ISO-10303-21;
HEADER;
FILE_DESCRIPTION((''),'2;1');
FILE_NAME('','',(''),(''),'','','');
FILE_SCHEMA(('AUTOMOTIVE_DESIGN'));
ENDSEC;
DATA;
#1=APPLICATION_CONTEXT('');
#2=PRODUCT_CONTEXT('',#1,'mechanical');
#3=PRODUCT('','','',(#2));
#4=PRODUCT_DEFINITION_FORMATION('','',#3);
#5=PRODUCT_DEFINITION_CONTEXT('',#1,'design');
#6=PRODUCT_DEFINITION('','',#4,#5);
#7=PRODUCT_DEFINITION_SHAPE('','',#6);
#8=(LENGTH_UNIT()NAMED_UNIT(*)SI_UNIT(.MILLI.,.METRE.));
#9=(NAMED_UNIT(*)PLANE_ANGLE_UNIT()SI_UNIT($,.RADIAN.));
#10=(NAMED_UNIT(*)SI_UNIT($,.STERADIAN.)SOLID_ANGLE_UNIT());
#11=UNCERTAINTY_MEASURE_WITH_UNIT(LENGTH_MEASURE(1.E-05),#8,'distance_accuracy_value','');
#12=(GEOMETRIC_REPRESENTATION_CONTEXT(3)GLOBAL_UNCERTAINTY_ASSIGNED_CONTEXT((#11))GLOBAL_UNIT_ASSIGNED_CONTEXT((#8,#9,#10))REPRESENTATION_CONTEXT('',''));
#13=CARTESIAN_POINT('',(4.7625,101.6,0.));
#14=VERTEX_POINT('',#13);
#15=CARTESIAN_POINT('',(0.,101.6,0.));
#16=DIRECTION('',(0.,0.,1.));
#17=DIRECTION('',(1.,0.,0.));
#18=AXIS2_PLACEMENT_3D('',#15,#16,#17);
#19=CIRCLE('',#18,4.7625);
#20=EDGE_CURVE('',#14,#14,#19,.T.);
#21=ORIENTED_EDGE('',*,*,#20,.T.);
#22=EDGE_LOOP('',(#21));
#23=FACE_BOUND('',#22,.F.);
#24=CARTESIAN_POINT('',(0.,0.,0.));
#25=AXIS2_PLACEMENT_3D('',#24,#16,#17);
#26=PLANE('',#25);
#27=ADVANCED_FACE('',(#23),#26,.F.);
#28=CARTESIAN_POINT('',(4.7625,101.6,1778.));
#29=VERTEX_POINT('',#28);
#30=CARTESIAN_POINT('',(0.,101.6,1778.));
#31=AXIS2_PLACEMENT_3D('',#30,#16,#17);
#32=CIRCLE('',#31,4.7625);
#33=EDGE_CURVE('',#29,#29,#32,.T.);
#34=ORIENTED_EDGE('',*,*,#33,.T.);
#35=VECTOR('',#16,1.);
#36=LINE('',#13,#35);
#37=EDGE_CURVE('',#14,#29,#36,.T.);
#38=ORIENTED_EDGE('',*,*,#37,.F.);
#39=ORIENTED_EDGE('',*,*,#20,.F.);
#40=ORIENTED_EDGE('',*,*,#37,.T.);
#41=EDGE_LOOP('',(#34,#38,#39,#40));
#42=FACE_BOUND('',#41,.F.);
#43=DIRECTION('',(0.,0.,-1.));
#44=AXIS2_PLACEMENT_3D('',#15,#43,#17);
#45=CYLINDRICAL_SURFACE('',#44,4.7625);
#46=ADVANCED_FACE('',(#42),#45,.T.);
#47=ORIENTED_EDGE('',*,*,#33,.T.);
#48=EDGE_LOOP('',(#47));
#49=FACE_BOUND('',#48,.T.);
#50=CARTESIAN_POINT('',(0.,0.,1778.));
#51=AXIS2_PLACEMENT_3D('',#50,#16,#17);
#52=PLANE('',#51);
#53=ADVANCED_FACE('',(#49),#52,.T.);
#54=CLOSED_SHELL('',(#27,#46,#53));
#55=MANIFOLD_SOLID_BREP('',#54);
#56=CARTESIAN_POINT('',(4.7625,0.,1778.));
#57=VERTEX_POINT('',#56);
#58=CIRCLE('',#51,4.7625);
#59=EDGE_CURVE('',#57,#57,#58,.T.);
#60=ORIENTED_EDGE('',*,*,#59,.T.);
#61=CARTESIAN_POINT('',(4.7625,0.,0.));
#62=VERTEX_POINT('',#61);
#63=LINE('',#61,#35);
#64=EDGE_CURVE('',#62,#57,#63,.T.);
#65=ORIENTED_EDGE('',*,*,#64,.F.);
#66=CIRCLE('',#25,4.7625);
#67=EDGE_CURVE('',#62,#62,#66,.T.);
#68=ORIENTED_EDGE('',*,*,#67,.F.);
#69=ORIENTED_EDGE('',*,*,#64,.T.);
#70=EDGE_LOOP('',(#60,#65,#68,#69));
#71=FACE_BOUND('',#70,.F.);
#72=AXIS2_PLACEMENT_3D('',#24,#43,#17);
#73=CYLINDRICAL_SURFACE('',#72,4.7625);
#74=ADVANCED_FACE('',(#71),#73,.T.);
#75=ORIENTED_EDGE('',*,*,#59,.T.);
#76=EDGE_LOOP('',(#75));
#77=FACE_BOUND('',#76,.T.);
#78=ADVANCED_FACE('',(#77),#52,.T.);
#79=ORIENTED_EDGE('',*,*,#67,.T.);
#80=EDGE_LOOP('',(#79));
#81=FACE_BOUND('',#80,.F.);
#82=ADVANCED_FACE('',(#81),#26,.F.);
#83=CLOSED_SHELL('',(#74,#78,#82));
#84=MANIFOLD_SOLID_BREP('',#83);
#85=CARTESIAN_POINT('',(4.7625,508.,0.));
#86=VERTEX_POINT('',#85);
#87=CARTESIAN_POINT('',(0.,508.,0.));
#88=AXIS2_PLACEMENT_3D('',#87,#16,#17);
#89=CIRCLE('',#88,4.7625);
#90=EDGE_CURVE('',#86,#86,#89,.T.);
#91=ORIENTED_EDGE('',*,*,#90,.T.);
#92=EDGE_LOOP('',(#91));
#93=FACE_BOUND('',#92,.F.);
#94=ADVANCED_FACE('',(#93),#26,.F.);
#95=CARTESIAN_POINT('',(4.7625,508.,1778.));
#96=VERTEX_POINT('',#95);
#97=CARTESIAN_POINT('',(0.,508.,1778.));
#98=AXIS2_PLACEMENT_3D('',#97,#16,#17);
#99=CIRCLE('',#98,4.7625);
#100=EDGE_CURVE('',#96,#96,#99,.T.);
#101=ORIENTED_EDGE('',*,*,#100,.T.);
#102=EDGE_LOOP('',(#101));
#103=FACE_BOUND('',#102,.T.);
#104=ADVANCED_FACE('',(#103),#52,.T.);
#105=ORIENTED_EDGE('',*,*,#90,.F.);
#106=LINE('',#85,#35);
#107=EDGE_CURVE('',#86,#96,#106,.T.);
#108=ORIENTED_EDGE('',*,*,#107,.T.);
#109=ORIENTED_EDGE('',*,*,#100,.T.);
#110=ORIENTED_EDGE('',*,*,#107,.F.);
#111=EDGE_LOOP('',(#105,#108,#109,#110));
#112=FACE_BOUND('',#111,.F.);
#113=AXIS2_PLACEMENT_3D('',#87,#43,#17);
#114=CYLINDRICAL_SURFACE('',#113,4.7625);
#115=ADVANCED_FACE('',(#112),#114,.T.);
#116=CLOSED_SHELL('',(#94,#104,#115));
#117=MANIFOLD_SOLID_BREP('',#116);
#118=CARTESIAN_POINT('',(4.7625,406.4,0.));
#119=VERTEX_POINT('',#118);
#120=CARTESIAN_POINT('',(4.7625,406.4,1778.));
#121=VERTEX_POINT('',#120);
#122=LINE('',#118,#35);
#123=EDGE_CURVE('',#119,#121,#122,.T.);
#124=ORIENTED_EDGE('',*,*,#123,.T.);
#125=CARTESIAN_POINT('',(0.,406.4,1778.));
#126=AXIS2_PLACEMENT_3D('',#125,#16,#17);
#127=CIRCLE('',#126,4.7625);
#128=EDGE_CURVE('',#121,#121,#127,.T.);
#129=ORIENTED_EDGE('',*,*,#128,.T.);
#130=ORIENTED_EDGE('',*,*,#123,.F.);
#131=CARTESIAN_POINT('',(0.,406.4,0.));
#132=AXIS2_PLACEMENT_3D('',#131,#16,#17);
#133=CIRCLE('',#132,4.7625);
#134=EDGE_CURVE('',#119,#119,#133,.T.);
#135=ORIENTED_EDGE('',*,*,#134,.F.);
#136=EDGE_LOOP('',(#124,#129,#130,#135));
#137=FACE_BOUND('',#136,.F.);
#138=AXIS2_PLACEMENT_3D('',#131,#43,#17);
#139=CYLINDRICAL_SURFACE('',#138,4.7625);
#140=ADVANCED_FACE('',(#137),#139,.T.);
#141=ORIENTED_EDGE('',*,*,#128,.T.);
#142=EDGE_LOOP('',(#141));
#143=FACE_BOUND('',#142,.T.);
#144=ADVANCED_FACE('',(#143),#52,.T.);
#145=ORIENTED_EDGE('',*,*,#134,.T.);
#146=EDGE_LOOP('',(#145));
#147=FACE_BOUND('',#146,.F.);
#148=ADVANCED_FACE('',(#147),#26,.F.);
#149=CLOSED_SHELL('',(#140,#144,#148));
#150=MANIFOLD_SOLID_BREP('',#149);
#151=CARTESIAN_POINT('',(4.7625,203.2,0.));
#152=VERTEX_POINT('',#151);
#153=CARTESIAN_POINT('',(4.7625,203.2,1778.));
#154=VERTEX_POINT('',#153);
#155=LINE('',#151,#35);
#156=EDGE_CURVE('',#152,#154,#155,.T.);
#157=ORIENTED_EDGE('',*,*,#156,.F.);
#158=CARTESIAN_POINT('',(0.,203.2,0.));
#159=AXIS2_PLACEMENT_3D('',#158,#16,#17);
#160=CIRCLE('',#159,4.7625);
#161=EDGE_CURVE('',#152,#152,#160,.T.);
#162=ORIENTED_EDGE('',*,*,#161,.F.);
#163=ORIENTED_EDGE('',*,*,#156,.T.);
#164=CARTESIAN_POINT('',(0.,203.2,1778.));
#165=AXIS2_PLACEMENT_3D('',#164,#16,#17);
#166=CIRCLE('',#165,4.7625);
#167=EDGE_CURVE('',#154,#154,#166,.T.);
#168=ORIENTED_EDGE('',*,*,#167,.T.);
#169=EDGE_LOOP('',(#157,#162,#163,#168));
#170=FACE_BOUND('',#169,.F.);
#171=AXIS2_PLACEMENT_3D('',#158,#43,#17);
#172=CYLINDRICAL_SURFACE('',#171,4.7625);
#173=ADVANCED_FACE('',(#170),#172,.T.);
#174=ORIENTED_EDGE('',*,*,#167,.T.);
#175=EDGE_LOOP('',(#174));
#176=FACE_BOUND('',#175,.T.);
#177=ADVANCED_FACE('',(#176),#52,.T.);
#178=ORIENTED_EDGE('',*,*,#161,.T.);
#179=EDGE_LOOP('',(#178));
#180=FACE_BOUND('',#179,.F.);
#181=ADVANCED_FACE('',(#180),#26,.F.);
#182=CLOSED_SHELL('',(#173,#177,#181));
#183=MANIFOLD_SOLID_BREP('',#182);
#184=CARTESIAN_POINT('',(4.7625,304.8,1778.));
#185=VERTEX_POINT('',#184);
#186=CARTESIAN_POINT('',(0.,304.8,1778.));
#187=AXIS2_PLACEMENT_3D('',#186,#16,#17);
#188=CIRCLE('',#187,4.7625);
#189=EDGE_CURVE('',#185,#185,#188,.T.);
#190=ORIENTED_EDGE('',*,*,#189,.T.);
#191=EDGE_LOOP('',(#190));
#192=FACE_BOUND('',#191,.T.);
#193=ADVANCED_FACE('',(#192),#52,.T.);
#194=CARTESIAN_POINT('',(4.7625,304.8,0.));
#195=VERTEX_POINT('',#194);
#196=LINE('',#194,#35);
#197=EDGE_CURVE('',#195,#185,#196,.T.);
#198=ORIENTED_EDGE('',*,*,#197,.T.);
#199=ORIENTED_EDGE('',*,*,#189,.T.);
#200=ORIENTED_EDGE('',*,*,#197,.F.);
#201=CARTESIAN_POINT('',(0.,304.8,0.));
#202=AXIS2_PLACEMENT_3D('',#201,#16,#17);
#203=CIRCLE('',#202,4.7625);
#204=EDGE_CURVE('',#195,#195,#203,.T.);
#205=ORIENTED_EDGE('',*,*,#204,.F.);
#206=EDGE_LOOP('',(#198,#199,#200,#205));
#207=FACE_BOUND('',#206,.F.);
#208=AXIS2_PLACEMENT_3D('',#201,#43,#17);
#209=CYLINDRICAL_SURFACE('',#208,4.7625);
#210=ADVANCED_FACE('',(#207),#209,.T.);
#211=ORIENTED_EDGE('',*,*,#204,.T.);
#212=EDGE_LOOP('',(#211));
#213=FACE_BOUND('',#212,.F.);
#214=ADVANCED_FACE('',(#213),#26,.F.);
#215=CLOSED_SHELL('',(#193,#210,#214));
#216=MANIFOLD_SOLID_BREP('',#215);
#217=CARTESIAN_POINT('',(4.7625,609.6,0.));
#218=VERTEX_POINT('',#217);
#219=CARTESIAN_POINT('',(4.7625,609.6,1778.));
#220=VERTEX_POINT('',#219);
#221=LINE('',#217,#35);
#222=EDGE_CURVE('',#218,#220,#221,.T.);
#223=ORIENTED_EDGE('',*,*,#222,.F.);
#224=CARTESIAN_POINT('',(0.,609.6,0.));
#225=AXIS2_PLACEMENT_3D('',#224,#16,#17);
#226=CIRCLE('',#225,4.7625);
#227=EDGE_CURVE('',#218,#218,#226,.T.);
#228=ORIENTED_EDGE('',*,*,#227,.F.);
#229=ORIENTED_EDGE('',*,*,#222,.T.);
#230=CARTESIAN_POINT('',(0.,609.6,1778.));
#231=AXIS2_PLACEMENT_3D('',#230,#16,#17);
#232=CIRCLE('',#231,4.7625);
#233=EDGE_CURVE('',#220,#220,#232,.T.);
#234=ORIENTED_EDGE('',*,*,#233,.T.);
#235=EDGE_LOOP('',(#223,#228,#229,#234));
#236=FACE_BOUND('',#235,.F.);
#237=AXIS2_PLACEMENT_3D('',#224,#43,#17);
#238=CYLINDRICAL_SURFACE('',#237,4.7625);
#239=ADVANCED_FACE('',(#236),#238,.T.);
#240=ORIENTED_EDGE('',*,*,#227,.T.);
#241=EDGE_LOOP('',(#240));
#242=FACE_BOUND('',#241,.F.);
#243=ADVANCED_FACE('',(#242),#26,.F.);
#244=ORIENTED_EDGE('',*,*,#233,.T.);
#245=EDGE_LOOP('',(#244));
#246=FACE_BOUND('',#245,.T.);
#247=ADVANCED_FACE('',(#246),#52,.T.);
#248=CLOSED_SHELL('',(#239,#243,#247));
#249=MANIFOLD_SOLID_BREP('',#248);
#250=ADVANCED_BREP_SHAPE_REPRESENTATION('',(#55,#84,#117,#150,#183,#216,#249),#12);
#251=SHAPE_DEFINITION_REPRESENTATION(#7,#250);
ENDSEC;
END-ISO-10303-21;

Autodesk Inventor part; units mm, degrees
ref_plane "YZ Plane" through (0, 0, 0) normal (1, 0, 0) x (0, 1, 0)
ref_plane "XZ Plane" through (0, 0, 0) normal (0, 1, 0) x (-1, 0, 0)
ref_plane "XY Plane" through (0, 0, 0) normal (0, 0, 1) x (1, 0, 0)
sketch "Sketch1" plane through (0, 0, 0) normal (0, 0, 1) x (1, 0, 0)
  circle A0 centre (0, 0) radius 4.7625
  circle A1 centre (0, 101.6) radius 4.7625
  circle A2 centre (0, 203.2) radius 4.7625
  circle A3 centre (0, 304.8) radius 4.7625
  circle A4 centre (0, 406.4) radius 4.7625
  circle A5 centre (0, 508) radius 4.7625
  circle A6 centre (0, 609.6) radius 4.7625
  dimension "d0" = 9.525
  dimension "d3" = 101.6
  dimension "d4" = 101.6
  dimension "d5" = 101.6
  dimension "d6" = 101.6
  dimension "d7" = 101.6
  dimension "d10" = 101.6
extrude "Extrusion2" add sketch "Sketch1" along normal blind 1778
properties part number "Front Cable" material "Steel, Wrought"
